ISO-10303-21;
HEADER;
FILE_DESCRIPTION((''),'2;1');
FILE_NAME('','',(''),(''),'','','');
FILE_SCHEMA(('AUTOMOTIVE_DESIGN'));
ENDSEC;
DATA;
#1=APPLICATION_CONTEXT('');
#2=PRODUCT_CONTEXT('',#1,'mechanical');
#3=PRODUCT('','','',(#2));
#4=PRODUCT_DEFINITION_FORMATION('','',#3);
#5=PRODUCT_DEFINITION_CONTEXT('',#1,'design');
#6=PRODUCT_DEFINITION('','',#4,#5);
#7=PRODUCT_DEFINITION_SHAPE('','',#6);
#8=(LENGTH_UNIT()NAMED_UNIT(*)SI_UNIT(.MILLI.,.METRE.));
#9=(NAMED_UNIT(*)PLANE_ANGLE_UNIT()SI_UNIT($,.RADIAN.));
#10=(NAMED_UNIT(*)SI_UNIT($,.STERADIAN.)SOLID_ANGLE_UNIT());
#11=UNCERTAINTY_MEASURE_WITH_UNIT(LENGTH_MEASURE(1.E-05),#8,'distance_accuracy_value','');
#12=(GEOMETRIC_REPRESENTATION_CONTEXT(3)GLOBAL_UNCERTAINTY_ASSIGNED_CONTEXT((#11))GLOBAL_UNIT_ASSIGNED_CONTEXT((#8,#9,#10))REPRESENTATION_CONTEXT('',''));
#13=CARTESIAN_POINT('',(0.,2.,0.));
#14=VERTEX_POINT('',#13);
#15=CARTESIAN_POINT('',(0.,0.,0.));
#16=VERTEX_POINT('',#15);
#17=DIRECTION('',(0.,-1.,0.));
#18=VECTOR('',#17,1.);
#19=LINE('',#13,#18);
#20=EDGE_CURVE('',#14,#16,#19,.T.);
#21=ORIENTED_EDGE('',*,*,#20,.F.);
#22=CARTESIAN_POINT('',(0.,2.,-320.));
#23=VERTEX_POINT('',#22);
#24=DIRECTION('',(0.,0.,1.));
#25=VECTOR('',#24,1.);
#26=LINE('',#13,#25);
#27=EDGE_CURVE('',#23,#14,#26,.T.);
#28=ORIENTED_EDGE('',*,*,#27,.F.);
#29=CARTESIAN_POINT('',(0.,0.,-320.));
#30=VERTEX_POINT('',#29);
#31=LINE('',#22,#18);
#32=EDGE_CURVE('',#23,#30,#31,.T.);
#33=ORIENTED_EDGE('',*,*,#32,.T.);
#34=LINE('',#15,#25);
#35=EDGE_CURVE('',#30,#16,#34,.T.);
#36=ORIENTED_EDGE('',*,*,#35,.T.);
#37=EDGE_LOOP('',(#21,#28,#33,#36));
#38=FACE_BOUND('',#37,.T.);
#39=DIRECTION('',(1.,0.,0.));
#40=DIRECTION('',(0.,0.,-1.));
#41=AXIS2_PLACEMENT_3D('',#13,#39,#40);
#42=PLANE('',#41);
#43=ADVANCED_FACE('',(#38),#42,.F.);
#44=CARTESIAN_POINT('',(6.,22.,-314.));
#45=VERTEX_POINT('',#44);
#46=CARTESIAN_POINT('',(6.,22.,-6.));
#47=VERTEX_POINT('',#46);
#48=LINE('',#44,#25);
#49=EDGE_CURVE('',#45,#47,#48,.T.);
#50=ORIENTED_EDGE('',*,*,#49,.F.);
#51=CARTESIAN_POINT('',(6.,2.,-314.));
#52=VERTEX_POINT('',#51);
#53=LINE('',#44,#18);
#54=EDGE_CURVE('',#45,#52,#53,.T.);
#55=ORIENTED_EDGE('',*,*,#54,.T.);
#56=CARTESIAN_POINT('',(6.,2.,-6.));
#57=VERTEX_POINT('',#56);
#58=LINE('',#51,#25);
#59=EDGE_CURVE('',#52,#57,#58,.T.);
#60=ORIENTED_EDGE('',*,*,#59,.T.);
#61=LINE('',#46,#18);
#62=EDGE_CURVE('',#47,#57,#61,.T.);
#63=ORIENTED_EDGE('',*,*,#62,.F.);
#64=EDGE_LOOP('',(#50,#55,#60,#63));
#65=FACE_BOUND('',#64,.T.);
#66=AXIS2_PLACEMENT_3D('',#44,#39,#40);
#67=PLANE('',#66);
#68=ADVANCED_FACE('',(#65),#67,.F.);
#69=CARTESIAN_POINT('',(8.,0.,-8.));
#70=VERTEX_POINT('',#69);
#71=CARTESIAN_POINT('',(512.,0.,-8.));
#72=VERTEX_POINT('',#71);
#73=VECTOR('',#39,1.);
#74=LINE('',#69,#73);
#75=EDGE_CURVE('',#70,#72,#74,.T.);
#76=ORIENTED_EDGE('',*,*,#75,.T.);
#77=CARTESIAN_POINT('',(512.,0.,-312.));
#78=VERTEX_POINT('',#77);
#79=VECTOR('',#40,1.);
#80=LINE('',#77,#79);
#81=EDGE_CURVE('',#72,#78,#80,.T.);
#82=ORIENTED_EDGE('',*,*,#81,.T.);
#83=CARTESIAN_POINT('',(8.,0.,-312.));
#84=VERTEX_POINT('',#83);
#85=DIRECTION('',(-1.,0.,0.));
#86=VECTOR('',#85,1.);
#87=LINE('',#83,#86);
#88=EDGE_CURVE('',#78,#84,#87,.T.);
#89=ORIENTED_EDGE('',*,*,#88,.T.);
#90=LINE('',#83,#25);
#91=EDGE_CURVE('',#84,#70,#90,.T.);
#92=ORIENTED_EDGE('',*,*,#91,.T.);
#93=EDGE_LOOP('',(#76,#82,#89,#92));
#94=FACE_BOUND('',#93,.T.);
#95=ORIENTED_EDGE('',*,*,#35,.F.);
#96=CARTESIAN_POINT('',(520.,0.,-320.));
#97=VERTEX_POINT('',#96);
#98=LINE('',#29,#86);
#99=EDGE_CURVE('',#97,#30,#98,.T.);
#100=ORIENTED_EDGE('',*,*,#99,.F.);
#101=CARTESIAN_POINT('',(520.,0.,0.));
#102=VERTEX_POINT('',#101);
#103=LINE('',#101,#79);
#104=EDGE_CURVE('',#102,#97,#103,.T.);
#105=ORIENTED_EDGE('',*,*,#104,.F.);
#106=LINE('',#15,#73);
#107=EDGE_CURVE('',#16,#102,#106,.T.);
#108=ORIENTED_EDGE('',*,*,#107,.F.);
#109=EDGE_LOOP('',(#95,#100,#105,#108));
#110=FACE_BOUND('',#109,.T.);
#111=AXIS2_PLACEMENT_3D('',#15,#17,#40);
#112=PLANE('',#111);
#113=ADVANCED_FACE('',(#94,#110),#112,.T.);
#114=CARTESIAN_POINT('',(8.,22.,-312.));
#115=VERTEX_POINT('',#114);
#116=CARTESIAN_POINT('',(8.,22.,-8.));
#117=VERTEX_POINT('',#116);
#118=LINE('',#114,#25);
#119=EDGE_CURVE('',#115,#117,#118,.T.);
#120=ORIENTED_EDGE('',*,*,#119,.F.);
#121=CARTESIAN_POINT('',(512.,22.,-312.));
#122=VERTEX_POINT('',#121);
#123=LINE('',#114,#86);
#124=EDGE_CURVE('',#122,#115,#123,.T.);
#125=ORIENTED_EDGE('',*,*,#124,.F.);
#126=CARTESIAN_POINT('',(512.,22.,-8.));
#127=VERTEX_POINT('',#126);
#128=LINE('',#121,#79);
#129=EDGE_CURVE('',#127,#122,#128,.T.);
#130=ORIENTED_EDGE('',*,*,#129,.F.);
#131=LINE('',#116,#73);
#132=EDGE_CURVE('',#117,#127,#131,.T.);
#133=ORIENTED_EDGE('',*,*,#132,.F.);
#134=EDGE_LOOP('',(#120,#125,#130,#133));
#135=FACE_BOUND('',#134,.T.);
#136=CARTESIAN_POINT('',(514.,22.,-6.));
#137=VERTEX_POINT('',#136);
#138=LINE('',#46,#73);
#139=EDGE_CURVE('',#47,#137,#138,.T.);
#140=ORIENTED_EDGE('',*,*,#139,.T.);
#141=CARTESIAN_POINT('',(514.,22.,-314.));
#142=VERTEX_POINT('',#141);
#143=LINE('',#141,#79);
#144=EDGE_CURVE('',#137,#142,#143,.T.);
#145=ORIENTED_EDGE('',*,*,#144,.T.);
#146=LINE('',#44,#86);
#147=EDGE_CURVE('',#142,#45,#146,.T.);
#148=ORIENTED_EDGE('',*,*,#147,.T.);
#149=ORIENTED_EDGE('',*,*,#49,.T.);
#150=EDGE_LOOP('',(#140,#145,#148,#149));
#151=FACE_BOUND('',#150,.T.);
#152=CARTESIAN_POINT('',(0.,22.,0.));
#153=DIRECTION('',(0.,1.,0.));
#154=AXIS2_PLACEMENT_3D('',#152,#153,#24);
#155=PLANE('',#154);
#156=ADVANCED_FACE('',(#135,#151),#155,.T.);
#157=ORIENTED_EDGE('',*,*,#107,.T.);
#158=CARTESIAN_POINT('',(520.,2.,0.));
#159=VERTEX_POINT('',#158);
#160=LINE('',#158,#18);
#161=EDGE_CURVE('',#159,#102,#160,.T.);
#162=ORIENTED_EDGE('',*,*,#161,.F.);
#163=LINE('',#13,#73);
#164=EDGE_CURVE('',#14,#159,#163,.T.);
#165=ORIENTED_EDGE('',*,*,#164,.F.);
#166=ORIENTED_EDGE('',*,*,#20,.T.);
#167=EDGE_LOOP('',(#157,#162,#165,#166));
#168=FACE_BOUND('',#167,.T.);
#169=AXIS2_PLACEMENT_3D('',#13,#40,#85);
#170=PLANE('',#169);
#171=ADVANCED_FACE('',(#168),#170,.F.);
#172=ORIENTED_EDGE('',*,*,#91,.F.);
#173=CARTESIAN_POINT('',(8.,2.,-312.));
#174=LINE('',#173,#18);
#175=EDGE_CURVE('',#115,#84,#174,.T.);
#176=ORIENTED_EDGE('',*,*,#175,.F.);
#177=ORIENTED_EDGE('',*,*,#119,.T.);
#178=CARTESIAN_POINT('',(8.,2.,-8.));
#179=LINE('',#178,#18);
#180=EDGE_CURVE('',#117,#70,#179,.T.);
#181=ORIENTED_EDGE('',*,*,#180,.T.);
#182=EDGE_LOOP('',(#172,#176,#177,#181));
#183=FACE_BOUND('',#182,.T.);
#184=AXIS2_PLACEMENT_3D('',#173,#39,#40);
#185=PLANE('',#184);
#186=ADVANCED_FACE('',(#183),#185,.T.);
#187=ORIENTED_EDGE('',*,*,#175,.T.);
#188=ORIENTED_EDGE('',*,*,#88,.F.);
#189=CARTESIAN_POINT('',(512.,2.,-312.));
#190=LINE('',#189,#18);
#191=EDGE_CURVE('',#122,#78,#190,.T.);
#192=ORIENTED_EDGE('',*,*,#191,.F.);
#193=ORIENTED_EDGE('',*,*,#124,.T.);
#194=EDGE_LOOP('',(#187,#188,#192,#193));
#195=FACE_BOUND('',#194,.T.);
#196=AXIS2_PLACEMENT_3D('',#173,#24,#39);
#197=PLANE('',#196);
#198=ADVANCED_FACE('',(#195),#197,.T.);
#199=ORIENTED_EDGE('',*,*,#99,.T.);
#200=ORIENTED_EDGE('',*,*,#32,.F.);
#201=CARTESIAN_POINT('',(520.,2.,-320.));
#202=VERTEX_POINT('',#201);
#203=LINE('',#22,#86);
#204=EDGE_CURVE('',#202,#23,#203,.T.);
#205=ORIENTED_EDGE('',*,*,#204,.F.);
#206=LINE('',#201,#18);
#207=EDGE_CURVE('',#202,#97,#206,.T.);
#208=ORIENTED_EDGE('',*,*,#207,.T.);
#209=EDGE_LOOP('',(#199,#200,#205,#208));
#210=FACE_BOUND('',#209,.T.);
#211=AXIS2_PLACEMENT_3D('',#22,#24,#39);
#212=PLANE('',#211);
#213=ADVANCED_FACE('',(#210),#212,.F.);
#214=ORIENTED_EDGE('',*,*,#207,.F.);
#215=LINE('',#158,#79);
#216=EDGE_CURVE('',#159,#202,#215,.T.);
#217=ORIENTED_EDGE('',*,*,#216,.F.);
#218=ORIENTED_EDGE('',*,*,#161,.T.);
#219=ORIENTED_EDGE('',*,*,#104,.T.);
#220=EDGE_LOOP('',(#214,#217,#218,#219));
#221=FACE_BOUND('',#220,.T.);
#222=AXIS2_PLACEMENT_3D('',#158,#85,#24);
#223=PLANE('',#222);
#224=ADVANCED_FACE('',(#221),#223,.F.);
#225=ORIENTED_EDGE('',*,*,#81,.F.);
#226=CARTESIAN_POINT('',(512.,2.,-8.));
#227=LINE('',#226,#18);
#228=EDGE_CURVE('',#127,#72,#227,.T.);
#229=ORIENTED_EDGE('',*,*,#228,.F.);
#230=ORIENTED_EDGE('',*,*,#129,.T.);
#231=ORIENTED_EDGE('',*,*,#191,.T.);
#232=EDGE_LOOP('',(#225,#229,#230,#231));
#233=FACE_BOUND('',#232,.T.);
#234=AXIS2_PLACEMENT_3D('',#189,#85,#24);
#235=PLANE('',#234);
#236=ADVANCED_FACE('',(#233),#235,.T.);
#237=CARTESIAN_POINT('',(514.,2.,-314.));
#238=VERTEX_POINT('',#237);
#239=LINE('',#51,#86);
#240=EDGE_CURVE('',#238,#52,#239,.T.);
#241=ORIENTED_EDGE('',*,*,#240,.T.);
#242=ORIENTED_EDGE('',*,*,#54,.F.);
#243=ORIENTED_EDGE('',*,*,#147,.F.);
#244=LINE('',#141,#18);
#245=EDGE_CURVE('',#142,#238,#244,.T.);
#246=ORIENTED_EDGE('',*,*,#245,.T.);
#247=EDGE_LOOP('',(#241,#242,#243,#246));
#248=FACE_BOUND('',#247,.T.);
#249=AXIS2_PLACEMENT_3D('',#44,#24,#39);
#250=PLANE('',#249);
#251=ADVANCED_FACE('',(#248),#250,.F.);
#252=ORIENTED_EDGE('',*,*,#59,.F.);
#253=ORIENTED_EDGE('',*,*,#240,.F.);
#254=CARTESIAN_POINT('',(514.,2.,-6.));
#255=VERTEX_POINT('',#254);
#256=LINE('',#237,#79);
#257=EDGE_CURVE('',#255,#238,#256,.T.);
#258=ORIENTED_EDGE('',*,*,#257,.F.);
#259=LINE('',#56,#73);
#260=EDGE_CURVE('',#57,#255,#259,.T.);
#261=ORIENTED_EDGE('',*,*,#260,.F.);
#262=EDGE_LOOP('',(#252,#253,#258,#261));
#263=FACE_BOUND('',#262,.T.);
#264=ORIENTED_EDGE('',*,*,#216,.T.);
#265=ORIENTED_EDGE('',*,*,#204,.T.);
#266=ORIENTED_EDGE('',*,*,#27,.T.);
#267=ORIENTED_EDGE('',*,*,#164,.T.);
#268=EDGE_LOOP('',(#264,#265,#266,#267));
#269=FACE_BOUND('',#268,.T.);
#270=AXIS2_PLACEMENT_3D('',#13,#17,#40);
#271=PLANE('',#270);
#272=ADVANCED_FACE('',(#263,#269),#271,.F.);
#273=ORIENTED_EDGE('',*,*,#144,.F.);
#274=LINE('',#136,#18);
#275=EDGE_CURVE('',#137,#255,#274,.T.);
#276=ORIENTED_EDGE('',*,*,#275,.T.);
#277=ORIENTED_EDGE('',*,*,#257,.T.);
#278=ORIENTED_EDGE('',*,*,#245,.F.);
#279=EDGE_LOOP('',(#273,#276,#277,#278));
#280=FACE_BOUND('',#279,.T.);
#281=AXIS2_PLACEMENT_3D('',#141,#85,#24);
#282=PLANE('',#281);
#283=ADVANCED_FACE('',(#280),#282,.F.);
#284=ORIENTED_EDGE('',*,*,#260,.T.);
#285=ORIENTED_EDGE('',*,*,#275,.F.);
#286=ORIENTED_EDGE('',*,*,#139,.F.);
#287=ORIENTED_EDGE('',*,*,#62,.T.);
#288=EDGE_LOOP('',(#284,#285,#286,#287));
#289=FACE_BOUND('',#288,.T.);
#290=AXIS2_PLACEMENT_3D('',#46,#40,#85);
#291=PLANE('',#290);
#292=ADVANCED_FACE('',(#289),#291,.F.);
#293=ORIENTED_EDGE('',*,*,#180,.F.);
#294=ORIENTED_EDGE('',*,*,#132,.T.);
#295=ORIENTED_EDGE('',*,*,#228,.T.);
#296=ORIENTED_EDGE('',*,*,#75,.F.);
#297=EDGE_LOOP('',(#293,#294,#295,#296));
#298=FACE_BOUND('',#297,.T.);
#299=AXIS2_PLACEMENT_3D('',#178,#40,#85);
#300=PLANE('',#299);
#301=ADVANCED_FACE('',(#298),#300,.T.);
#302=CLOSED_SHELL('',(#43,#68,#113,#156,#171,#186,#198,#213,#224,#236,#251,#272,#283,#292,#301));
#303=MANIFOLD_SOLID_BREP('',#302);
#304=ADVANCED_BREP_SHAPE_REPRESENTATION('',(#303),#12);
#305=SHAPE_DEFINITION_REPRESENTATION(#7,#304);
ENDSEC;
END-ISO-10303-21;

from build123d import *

# Parameters (mm, degrees)
SKIZZE1_W                       = 520
SKIZZE1_H                       = 320
SKIZZE1_W_2                     = 504
SKIZZE1_H_2                     = 304
AUFSATZ_LINEAR_AUSTRAGEN1_DEPTH = 2
SKIZZE2_W                       = 508
SKIZZE2_H                       = 308
SKIZZE2_W_2                     = 504
SKIZZE2_H_2                     = 304
AUFSATZ_LINEAR_AUSTRAGEN2_DEPTH = 20


with BuildPart() as part:
    # Skizze1 → Aufsatz-Linear austragen1 (new body)
    with BuildSketch(Plane(origin=(0, 0, 0), x_dir=(1, 0, 0), z_dir=(0, 1, 0))):
        with Locations((260, 160)):
            Rectangle(SKIZZE1_W, SKIZZE1_H)
        with Locations((260, 160)):
            Rectangle(SKIZZE1_W_2, SKIZZE1_H_2, mode=Mode.SUBTRACT)
    extrude(amount=AUFSATZ_LINEAR_AUSTRAGEN1_DEPTH)

    # Skizze2 → Aufsatz-Linear austragen2 (add)
    with BuildSketch(Plane(origin=(0, 2, 0), x_dir=(1, 0, 0), z_dir=(0, 1, 0))):
        with Locations((260, 160)):
            Rectangle(SKIZZE2_W, SKIZZE2_H)
        with Locations((260, 160)):
            Rectangle(SKIZZE2_W_2, SKIZZE2_H_2, mode=Mode.SUBTRACT)
    extrude(amount=AUFSATZ_LINEAR_AUSTRAGEN2_DEPTH)


solid = part.part
